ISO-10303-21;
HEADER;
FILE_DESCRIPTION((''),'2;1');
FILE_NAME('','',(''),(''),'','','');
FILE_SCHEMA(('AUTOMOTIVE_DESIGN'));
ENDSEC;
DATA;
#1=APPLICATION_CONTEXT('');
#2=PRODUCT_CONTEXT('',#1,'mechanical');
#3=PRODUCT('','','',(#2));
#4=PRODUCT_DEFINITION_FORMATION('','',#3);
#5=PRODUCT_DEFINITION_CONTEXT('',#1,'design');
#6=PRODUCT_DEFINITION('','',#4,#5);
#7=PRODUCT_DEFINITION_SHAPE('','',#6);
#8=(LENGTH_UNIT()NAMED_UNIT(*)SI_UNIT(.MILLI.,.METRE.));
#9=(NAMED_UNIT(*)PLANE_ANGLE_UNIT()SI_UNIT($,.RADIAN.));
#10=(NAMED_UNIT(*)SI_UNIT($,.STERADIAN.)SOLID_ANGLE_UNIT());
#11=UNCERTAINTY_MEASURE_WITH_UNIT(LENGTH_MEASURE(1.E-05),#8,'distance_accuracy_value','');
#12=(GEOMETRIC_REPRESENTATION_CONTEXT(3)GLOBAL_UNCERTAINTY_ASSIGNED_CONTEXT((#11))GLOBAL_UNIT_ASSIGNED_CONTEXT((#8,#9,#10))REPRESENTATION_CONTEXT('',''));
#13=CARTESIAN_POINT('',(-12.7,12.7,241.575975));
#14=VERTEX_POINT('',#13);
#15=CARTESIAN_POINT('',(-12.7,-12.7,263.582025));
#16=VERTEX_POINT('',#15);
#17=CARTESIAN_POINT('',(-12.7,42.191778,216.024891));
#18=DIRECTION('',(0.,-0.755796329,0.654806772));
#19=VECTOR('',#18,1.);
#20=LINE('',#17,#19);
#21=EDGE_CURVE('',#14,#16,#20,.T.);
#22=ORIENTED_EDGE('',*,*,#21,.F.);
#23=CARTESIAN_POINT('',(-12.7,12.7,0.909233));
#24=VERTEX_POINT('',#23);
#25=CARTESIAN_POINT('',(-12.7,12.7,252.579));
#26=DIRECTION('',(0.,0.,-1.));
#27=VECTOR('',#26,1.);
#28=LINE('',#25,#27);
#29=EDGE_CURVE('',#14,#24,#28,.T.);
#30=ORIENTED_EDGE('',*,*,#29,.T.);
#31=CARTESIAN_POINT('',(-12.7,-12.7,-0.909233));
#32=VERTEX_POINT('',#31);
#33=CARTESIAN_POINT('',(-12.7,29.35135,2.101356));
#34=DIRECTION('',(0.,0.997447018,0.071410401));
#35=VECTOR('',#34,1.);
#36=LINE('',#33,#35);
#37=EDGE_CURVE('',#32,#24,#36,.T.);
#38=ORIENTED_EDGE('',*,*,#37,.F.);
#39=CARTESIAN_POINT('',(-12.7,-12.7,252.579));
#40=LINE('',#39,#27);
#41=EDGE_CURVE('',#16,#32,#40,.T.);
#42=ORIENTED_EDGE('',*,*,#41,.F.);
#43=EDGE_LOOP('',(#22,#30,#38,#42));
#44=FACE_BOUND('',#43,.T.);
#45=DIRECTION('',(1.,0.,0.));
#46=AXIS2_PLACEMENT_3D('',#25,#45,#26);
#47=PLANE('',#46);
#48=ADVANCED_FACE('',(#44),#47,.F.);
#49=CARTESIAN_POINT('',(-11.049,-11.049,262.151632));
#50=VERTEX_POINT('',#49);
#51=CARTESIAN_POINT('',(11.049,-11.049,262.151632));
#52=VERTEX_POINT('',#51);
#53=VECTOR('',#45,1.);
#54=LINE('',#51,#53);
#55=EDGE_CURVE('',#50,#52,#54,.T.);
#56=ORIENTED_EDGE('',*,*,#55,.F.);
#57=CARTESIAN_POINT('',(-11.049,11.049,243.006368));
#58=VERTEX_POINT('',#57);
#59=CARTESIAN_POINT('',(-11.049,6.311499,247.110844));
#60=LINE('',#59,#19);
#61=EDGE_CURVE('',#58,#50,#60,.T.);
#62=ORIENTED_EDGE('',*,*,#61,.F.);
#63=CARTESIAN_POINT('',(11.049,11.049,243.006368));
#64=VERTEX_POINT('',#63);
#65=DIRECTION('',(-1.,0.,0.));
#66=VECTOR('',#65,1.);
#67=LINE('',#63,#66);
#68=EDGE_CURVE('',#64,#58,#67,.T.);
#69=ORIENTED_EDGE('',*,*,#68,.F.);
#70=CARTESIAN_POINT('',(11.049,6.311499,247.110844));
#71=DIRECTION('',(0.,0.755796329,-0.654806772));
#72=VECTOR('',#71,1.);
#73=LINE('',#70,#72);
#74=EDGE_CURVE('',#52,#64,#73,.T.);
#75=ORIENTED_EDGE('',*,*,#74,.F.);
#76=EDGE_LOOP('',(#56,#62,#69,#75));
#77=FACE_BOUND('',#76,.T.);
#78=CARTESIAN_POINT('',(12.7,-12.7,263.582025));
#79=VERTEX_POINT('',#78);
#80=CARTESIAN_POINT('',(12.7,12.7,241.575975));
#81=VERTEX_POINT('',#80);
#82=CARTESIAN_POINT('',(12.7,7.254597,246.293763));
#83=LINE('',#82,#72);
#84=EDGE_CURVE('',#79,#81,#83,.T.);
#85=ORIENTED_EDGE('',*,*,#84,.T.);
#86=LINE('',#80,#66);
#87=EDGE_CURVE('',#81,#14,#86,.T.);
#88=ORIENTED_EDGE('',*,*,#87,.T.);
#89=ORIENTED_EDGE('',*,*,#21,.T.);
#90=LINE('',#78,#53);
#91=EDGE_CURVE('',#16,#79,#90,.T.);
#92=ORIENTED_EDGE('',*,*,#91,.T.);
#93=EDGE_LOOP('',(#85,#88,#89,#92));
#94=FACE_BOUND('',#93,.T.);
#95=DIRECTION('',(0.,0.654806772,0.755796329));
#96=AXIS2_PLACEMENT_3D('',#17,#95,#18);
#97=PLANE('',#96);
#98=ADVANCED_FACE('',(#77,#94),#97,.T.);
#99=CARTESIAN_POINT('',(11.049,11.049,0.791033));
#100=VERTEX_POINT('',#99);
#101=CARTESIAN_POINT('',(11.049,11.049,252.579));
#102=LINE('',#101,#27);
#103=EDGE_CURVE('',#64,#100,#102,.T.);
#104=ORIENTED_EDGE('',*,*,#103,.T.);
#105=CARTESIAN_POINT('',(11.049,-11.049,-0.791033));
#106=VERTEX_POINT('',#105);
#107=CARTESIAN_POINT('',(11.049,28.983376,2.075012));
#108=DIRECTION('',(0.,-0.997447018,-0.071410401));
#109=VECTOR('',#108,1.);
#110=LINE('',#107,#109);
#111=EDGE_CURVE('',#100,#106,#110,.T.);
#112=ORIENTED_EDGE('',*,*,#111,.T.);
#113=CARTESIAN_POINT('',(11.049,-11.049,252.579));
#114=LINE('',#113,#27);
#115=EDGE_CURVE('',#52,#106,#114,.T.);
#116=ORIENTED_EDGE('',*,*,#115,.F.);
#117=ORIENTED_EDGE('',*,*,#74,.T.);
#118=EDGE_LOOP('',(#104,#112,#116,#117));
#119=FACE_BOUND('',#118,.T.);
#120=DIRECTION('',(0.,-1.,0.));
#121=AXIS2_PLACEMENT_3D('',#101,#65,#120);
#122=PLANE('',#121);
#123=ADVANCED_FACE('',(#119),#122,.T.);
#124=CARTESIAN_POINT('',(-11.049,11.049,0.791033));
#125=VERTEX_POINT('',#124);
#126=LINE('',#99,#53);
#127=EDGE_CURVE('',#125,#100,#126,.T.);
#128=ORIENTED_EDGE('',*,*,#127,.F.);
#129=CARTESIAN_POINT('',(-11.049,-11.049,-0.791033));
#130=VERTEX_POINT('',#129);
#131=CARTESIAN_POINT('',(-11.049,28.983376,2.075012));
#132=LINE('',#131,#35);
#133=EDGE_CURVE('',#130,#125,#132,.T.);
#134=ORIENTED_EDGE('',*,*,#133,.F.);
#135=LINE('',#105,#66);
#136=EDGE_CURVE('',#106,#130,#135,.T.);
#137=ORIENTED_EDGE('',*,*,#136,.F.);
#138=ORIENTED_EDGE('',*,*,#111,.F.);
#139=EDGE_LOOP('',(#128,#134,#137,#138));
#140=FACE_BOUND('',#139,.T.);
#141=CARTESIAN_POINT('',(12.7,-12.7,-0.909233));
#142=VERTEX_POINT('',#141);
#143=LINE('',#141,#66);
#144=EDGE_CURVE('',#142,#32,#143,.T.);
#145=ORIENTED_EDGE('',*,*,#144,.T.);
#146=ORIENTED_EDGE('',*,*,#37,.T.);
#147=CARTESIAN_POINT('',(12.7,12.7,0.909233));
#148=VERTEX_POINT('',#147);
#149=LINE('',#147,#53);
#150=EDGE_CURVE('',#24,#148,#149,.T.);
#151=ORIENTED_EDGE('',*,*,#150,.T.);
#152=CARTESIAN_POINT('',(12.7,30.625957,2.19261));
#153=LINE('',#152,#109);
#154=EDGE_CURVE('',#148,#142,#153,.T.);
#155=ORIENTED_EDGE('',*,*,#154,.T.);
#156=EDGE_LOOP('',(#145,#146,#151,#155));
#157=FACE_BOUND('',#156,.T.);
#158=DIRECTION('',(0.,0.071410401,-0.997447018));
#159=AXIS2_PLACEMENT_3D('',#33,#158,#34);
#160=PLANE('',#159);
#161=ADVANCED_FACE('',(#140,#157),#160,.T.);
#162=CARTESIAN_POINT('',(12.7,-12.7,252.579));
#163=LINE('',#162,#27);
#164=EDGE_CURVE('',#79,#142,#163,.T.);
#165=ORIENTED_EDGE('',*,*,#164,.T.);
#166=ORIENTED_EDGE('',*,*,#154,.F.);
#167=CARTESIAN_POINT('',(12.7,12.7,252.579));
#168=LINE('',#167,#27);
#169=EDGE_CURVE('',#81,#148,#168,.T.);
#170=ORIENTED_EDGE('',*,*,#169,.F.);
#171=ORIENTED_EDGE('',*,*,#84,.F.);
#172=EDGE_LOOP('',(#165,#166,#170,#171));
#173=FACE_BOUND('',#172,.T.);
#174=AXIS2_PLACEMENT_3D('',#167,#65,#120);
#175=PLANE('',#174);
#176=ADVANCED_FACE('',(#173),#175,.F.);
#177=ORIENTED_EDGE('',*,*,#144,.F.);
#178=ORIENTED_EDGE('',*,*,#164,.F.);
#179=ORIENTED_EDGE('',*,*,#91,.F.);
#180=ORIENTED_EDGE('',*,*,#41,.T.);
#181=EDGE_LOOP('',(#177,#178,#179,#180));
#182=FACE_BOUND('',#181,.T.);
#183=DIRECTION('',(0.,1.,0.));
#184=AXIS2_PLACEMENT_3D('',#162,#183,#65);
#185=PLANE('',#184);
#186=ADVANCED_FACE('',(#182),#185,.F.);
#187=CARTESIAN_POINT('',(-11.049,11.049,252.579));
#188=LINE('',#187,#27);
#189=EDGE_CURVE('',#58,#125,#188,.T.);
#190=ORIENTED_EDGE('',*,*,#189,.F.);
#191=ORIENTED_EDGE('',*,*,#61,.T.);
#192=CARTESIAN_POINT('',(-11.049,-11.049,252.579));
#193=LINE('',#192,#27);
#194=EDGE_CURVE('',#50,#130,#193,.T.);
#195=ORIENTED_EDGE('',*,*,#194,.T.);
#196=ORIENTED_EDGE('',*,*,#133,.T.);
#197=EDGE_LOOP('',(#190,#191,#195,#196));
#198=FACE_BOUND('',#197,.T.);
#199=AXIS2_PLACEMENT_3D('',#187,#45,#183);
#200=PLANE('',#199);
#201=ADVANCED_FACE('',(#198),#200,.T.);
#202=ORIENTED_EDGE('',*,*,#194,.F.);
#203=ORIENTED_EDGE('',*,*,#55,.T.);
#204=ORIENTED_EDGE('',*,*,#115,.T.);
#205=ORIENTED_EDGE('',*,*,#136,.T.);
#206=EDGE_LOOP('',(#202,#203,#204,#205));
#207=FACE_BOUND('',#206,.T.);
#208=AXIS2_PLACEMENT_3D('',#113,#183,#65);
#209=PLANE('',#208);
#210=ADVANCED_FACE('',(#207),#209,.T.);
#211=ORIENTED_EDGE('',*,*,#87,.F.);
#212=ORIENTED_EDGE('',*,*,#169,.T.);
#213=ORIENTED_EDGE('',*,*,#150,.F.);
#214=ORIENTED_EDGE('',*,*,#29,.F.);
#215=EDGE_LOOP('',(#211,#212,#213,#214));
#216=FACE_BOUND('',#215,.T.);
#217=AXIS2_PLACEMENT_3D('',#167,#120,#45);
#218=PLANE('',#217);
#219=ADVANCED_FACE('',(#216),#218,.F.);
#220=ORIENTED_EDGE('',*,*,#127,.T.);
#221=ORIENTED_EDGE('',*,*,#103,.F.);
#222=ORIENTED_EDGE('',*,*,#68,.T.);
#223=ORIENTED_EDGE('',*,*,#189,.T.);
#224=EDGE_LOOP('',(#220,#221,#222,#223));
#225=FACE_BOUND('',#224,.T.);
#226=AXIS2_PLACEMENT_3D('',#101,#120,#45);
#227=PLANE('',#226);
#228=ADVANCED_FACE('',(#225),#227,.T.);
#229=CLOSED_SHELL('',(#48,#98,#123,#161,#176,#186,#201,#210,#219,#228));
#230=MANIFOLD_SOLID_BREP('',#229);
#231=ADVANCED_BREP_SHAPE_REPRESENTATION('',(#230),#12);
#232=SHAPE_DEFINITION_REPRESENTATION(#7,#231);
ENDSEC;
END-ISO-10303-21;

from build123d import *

# Parameters (mm, degrees)
SKETCH1_W           = 25.4
SKETCH1_H           = 25.4
SKETCH1_W_2         = 22.098
SKETCH1_H_2         = 22.098
BOSS_EXTRUDE1_DEPTH = 252.579
SKETCH4_W           = 25.4
SKETCH4_H           = 25.4
SKETCH4_W_2         = 22.098
SKETCH4_H_2         = 22.098
BOSS_EXTRUDE2_DEPTH = 25.4
CUT_EXTRUDE1_DEPTH  = 165.021579309
SKETCH9_W           = 25.4
SKETCH9_H           = 25.4
SKETCH9_W_2         = 22.098
SKETCH9_H_2         = 22.098
BOSS_EXTRUDE4_DEPTH = 25.4
CUT_EXTRUDE2_DEPTH  = 165.021579309


with BuildPart() as part:
    # Sketch1 → Boss-Extrude1 (new body)
    with BuildSketch(Plane.XY):
        Rectangle(SKETCH1_W, SKETCH1_H)
        Rectangle(SKETCH1_W_2, SKETCH1_H_2, mode=Mode.SUBTRACT)
    extrude(amount=BOSS_EXTRUDE1_DEPTH)

    # Sketch4 → Boss-Extrude2 (add)
    with BuildSketch(Plane.XY.offset(252.579)):
        Rectangle(SKETCH4_W, SKETCH4_H)
        Rectangle(SKETCH4_W_2, SKETCH4_H_2, mode=Mode.SUBTRACT)
    extrude(amount=BOSS_EXTRUDE2_DEPTH)

    # Sketch5 → Cut-Extrude1 (cut, through all)
    with BuildSketch(Plane(origin=(151.321579309, -335.991727501, -187.807849157), x_dir=(0, 0.142456183, -0.989801109), z_dir=(-1, 0, 0))):
        Polygon((-345.839515134, -431.854923585), (-430.223070446, -358.746704735), (-433.169492253, -435.100826103), align=None)
    extrude(amount=CUT_EXTRUDE1_DEPTH, mode=Mode.SUBTRACT)

    # Sketch9 → Boss-Extrude4 (add)
    with BuildSketch(Plane(origin=(0, 0, 0), x_dir=(-1, 0, 0), z_dir=(0, 0, -1))):
        Rectangle(SKETCH9_W, SKETCH9_H)
        Rectangle(SKETCH9_W_2, SKETCH9_H_2, mode=Mode.SUBTRACT)
    extrude(amount=BOSS_EXTRUDE4_DEPTH)

    # Sketch10 → Cut-Extrude2 (cut, through all)
    with BuildSketch(Plane(origin=(151.321579309, -335.991727501, -187.807849157), x_dir=(0, 0.142456183, -0.989801109), z_dir=(-1, 0, 0))):
        Polygon((-135.926962008, -388.670724005), (-140.129674812, -329.968023827), (-66.404564793, -354.654811044), align=None)
    extrude(amount=CUT_EXTRUDE2_DEPTH, mode=Mode.SUBTRACT)


solid = part.part
